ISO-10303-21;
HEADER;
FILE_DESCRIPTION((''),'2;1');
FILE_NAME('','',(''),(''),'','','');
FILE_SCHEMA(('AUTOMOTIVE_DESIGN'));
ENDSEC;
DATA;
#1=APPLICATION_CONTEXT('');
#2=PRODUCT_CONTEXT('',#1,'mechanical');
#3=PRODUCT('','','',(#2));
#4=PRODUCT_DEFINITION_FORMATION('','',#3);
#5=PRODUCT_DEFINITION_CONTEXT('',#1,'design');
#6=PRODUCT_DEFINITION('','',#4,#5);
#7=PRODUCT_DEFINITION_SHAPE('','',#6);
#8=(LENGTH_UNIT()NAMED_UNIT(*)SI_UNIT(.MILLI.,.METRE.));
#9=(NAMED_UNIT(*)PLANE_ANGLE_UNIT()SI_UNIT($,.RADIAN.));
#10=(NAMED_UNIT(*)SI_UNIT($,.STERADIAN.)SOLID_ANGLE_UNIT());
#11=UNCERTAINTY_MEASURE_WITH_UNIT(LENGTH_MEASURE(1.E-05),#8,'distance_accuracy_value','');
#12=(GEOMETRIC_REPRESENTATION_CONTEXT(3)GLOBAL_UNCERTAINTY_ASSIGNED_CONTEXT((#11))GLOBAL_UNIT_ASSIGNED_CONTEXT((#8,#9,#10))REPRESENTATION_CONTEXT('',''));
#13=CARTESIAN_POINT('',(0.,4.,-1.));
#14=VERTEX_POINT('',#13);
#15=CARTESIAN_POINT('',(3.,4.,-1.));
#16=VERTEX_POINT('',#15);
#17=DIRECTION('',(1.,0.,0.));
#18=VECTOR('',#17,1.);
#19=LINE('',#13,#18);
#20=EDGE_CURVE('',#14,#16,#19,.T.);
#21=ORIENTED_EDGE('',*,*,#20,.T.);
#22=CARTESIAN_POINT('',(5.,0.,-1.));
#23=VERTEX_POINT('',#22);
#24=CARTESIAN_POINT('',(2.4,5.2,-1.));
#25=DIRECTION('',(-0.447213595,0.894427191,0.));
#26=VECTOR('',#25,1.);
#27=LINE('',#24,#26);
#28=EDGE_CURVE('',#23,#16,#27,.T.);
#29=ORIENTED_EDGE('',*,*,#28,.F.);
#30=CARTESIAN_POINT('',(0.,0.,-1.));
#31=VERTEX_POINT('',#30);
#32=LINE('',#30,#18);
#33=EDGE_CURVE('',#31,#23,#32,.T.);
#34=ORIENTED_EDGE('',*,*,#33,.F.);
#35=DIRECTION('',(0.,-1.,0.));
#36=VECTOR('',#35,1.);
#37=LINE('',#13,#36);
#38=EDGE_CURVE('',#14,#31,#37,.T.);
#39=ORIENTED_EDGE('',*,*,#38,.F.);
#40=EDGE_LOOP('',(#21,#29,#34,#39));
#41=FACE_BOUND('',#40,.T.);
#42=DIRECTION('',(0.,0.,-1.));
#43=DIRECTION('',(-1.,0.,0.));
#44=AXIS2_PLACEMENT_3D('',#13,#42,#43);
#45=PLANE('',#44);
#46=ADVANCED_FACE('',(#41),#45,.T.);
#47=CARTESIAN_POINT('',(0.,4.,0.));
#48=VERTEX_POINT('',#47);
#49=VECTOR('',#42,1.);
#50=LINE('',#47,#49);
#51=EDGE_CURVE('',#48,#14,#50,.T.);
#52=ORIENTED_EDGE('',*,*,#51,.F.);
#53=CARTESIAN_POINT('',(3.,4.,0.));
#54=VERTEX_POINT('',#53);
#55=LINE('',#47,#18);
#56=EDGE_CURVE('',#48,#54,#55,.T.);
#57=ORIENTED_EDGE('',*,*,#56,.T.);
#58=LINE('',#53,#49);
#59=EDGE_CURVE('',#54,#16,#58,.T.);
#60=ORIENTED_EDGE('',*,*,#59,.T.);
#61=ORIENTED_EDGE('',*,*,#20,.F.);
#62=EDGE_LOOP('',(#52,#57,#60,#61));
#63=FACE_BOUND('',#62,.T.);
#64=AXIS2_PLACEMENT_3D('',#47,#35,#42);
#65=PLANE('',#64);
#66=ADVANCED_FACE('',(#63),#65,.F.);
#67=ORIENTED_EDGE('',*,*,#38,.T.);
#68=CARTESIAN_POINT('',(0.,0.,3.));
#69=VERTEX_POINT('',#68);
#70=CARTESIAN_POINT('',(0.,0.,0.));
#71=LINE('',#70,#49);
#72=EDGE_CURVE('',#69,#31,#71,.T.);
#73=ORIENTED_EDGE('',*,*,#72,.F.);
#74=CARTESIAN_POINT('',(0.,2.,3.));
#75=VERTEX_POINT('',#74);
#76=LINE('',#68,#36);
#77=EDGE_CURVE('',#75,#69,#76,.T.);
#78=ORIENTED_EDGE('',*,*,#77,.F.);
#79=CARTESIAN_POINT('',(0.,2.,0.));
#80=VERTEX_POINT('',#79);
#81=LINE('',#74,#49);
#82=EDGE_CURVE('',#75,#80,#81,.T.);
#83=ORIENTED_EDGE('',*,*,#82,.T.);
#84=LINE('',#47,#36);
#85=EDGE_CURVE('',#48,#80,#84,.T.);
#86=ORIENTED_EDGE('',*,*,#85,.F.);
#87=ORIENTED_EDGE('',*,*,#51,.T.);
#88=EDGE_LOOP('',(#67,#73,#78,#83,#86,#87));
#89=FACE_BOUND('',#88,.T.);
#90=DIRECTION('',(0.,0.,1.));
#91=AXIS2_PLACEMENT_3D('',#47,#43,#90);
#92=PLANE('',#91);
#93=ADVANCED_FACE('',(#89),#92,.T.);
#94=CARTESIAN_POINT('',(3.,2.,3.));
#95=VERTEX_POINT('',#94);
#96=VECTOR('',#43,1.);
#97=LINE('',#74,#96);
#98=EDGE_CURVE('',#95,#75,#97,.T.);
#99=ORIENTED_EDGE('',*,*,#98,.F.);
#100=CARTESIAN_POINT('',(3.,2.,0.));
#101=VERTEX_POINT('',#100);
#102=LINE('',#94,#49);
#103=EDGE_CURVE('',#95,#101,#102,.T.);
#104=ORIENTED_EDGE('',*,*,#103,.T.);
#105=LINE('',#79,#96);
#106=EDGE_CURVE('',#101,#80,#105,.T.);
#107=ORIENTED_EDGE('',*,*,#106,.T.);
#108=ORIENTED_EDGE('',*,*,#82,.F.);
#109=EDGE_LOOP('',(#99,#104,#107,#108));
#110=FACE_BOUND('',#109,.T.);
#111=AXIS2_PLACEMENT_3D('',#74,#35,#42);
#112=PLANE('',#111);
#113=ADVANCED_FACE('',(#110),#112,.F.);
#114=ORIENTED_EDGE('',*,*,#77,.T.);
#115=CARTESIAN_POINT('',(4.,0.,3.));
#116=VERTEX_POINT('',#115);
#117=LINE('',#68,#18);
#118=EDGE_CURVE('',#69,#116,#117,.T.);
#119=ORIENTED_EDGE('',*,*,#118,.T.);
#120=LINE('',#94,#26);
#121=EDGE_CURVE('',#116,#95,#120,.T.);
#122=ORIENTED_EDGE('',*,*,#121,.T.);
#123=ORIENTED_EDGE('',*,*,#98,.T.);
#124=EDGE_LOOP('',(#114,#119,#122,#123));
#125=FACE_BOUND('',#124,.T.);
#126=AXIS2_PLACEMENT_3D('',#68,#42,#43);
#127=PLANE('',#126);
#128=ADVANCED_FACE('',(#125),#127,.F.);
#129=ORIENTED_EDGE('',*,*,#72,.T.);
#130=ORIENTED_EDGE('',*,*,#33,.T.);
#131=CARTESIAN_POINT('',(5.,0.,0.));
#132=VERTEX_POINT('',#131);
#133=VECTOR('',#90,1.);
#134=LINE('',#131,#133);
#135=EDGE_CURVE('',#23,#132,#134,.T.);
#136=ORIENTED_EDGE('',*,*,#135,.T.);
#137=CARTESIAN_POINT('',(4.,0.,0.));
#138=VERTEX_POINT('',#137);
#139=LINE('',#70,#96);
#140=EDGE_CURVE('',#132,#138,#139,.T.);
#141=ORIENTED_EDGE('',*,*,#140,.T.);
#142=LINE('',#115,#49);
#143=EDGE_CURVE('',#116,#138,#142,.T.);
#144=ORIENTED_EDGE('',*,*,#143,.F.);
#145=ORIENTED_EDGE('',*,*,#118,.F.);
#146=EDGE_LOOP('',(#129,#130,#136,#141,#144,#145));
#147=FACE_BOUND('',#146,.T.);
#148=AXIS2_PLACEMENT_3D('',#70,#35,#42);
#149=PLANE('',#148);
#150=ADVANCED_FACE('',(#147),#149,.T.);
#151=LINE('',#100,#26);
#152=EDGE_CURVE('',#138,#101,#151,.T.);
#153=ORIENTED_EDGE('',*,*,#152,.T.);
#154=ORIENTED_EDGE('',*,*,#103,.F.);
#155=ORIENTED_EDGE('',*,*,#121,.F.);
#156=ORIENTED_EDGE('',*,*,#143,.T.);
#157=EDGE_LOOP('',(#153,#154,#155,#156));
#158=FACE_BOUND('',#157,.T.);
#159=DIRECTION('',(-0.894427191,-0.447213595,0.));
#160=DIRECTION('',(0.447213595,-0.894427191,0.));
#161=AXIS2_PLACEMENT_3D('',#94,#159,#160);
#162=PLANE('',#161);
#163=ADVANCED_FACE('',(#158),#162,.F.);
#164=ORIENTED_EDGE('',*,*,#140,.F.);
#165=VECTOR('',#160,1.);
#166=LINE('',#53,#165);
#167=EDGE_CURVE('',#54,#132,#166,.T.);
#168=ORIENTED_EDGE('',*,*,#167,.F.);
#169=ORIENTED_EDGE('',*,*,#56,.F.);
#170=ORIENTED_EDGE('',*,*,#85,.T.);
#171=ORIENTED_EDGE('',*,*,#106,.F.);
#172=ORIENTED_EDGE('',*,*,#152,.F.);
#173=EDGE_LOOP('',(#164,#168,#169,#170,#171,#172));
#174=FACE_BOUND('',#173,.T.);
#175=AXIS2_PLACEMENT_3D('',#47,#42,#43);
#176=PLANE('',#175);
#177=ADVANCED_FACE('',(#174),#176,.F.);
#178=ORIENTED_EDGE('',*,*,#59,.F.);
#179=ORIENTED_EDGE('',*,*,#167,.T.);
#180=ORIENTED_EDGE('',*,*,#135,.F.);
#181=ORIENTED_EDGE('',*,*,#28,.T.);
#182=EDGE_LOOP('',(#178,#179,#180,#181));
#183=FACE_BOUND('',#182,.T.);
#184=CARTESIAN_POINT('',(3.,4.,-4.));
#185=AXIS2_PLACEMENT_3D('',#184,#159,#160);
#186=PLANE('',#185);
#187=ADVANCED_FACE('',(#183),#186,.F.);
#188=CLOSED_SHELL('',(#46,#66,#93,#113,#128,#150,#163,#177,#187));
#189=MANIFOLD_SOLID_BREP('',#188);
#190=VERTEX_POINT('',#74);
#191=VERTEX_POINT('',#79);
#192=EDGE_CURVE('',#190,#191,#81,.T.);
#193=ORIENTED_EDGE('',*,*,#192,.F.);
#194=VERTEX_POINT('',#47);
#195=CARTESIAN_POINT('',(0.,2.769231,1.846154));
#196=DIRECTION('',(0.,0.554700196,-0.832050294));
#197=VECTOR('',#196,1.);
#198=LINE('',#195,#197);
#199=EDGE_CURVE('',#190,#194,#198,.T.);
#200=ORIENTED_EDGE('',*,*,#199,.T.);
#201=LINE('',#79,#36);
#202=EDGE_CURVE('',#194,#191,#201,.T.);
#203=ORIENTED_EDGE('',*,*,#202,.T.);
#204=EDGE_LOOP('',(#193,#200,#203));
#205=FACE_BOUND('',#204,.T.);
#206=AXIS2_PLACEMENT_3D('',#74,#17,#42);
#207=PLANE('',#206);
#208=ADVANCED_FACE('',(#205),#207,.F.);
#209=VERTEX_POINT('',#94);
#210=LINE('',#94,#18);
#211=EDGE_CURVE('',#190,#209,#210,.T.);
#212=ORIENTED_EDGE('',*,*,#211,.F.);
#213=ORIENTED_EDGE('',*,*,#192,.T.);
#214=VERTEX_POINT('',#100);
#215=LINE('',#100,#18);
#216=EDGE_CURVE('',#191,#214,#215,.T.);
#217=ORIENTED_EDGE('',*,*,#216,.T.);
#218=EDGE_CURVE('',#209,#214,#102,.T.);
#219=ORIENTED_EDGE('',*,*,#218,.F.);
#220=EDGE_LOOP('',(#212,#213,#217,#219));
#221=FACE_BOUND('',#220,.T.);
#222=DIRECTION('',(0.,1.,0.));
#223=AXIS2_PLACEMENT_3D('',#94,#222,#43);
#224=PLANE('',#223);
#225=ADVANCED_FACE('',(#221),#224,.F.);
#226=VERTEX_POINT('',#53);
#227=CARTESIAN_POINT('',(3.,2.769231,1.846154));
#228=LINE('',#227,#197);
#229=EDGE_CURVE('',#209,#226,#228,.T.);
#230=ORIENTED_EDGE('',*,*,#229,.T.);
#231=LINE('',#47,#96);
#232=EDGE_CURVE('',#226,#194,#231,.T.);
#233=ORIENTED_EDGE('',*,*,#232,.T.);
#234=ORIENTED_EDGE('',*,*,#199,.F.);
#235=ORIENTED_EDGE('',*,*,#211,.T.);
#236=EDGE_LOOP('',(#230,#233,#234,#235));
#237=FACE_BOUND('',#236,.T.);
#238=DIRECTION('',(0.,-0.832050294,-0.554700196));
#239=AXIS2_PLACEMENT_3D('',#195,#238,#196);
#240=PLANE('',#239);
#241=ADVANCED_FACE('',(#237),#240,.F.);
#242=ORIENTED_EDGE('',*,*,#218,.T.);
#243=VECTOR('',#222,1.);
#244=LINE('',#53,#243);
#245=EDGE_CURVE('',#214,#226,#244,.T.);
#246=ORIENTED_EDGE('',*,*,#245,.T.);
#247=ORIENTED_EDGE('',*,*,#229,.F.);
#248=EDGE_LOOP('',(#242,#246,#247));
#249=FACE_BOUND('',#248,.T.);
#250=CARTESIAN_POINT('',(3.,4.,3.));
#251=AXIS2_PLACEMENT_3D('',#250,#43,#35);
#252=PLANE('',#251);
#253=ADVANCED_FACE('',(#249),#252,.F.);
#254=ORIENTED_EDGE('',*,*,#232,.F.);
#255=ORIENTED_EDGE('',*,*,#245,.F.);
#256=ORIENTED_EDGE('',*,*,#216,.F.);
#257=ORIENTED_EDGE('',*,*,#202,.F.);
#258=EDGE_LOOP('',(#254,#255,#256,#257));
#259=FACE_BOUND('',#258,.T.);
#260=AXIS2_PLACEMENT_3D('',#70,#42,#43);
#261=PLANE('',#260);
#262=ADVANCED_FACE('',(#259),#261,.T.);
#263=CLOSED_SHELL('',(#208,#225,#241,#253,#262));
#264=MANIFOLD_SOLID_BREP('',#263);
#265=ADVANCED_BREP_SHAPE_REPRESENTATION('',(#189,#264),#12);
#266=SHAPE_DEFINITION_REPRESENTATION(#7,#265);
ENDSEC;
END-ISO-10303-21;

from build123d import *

# Parameters (mm, degrees)
SKETCH1_W           = 3
SKETCH1_H           = 1
BOSS_EXTRUDE1_DEPTH = 4
SKETCH2_W           = 2
SKETCH2_H           = 1
BOSS_EXTRUDE3_DEPTH = 4
CUT_EXTRUDE3_DEPTH  = 4
BOSS_EXTRUDE4_DEPTH = 3
SKETCH5_W           = 3
SKETCH5_H           = 2
BOSS_EXTRUDE6_DEPTH = 3
CUT_EXTRUDE4_DEPTH  = 3


with BuildPart() as part:
    # Sketch1 → Boss-Extrude1 (new body)
    with BuildSketch(Plane(origin=(0, 0, 0), x_dir=(1, 0, 0), z_dir=(0, 1, 0))):
        with Locations((1.5, 0.5)):
            Rectangle(SKETCH1_W, SKETCH1_H)
    extrude(amount=BOSS_EXTRUDE1_DEPTH)



with BuildPart() as body_2:
    # Sketch2 → Boss-Extrude3 (new body)
    with BuildSketch(Plane.XZ):
        with Locations((4, -0.5)):
            Rectangle(SKETCH2_W, SKETCH2_H)
    extrude(amount=-BOSS_EXTRUDE3_DEPTH)

    # Sketch3 → Cut-Extrude3 (cut)
    with BuildSketch(Plane.XY):
        Polygon((3, 4), (5, 0), (5, 4), align=None)
    extrude(amount=-CUT_EXTRUDE3_DEPTH, mode=Mode.SUBTRACT)


with BuildPart() as part_1:
    add(part.part)

    add(body_2.part)  # Boss-Extrude4 merges body 2
    # Sketch4 → Boss-Extrude4 (add)
    with BuildSketch(Plane.XY):
        Polygon((0, 0), (4, 0), (3, 2), (0, 2), align=None)
    extrude(amount=BOSS_EXTRUDE4_DEPTH)


with BuildPart() as body_2_2:
    # Sketch5 → Boss-Extrude6 (new body)
    with BuildSketch(Plane.XY):
        with Locations((1.5, 3)):
            Rectangle(SKETCH5_W, SKETCH5_H)
    extrude(amount=BOSS_EXTRUDE6_DEPTH)

    # Sketch6 → Cut-Extrude4 (cut)
    with BuildSketch(Plane(origin=(3, 0, 0), x_dir=(0, 0, -1), z_dir=(1, 0, 0))):
        Polygon((-3, 2), (0, 4), (-3, 4), align=None)
    extrude(amount=-CUT_EXTRUDE4_DEPTH, mode=Mode.SUBTRACT)


solid = Compound([part_1.part, body_2_2.part])
